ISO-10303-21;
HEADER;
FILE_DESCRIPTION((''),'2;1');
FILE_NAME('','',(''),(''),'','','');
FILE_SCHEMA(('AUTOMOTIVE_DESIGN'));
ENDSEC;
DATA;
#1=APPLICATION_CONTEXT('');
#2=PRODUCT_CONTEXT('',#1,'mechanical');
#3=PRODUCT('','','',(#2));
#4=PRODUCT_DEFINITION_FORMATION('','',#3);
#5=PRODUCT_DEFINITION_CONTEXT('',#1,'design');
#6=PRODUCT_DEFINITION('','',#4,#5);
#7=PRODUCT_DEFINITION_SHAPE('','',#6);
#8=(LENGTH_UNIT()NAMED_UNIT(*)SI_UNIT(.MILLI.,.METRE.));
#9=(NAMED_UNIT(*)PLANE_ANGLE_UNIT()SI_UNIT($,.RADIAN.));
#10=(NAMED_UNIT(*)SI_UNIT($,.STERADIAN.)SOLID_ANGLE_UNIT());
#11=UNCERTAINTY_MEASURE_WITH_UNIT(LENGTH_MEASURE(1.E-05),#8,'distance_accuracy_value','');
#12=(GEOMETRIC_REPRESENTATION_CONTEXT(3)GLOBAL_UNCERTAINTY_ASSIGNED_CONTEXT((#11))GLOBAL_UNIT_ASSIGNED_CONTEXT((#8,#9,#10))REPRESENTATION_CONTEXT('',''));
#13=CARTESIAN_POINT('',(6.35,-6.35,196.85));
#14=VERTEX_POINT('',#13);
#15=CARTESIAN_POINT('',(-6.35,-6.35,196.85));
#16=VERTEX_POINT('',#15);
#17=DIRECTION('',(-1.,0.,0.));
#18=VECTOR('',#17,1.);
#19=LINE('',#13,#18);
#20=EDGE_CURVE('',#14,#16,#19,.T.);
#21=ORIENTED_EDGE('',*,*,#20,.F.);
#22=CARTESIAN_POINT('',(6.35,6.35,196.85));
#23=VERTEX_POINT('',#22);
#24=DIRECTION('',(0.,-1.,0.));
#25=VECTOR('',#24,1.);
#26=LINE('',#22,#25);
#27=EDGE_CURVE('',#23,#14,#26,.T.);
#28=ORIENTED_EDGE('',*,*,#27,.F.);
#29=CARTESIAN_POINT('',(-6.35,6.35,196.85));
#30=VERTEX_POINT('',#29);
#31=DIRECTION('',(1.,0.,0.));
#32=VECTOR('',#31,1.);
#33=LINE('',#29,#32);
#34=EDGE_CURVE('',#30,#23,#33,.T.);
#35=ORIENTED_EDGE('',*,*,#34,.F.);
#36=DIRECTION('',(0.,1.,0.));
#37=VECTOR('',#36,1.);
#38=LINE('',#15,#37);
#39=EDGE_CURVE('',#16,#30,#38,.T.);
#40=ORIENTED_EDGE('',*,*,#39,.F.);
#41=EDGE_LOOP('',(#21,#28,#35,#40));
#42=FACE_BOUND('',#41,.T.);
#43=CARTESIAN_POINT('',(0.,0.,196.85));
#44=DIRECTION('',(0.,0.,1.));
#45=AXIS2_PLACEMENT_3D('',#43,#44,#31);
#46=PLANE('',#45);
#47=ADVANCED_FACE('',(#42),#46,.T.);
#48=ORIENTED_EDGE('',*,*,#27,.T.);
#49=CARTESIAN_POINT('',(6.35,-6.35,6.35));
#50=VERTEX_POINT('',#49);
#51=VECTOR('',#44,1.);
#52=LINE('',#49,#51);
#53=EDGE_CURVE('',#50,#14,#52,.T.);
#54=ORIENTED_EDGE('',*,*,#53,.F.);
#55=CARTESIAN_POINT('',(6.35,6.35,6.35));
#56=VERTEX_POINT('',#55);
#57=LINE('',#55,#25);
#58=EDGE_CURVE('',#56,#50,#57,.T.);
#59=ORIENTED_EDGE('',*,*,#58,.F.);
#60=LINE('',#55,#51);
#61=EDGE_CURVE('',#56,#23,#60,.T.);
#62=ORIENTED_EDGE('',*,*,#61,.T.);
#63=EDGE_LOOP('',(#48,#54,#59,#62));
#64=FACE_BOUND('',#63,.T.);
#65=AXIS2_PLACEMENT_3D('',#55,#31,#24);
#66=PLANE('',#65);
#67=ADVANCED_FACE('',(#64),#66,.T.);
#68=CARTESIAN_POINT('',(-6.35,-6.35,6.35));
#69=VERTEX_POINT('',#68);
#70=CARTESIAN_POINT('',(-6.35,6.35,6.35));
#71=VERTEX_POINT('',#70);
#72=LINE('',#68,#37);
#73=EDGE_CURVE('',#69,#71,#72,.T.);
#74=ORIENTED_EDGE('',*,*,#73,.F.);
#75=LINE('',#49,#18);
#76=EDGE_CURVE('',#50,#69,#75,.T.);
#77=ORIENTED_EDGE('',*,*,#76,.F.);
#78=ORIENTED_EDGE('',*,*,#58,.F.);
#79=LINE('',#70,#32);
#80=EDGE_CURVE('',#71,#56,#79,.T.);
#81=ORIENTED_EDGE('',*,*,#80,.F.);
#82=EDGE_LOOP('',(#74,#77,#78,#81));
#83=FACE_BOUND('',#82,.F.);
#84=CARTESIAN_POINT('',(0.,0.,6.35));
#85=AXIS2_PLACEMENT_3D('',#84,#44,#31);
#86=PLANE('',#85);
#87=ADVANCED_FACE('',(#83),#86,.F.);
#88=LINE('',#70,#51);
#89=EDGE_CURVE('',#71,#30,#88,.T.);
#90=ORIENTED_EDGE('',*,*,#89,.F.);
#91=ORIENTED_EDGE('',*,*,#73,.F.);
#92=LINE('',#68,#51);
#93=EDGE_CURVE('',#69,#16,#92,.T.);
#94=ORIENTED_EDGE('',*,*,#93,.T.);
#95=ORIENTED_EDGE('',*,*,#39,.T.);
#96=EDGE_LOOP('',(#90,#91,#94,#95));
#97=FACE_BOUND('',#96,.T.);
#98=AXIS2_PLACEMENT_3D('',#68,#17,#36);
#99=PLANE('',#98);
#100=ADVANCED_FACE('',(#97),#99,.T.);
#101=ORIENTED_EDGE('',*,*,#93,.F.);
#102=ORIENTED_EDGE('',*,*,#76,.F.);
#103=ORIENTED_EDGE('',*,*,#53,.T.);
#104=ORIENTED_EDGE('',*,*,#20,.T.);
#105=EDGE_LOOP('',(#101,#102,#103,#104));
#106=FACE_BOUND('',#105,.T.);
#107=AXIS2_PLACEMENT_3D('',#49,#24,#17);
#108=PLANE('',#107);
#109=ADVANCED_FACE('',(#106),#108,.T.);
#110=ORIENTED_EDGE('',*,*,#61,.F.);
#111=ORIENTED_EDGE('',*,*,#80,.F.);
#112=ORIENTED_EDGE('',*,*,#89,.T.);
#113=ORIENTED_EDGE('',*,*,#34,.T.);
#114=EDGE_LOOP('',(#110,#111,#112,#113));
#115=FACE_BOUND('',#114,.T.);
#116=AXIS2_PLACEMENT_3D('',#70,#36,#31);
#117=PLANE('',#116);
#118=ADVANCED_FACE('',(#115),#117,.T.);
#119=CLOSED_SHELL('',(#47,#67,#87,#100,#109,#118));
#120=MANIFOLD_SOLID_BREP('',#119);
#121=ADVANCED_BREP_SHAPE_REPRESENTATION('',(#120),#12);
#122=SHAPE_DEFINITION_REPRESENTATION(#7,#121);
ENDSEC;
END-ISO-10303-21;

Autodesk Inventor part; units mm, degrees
ref_plane "Start plane" through (0, 0, 6.35) normal (0, 0, 1) x (1, 0, 0)
ref_plane "End plane" through (0, 0, 196.85) normal (0, 0, 1) x (1, 0, 0)
sketch "Sketch" plane through (0, 0, 0) normal (0, 0, 1) x (1, 0, 0)
  line L0 (6.35, -6.35) -> (-6.35, -6.35)
  line L1 (-6.35, -6.35) -> (-6.35, 6.35)
  line L2 (-6.35, 6.35) -> (6.35, 6.35)
  line L3 (6.35, 6.35) -> (6.35, -6.35)
  line L4 (-6, 0) -> (8, 0) construction
  line L5 (0, -30) -> (0, 40) construction
  line L6 (0, 54) -> (0, -44) construction
  line L7 (-9.62, 0) -> (13.27, 0) construction
  dimension "d0" = 12.7
  dimension "d1" = 12.7
  dimension "d4" = 6.35
  dimension "d5" = 6.35
extrude "Body" add sketch "Sketch" along normal up to surface (190.5 mm away) from surface at 6.35
sketch "Sketch3" plane through (0, 0, 0) normal (0, 0, 1) x (1, 0, 0)
  line L0 (0, 0) -> (10, 0)
ref_plane "Work Plane3" through (0, 0, 0) normal (0, -1, 0) x (1, 0, 0)
sketch "Sketch4" plane through (0, 0, 0) normal (0, -1, 0) x (1, 0, 0)
  line L0 (-2, 6.35) -> (12, 6.35)
  line L1 (-2, 196.85) -> (12, 196.85)
  dimension "d9" = 190.5
ref_plane "Work Plane4" through (295.0014, -6.35, 196.85) normal (0, 0, 1) x (1, 0, 0)
split "Split1" plane through (295.0014, -6.35, 196.85) removes the side toward (0, 0, 1)
ref_plane "Work Plane5" through (-295.0014, -6.35, 6.35) normal (0, 0, -1) x (-1, 0, 0)
split "Split2" plane through (-295.0014, -6.35, 6.35) removes the side toward (0, 0, -1)
equation "\"d0\" = G_W"
equation "\"d1\" = G_H"
equation "\"d4\" = 0.5 * d1"
equation "\"d5\" = 0.5 * d0"
equation "\"d2\" = G_L"
equation "\"G_W\" = 12.7"
equation "\"G_H\" = 12.7"
equation "\"G_L\" = d9"
equation "\"G_OFFSET_START\" = -6.35"
equation "\"G_OFFSET_END\" = -6.35"
equation "\"d6\" = -G_OFFSET_START"
equation "\"d7\" = G_OFFSET_END + B_L"
equation "\"B_L\" = 203.2"
properties part number "AISC - 1/2x1/2 - 7.5" material "Steel, Alloy"
